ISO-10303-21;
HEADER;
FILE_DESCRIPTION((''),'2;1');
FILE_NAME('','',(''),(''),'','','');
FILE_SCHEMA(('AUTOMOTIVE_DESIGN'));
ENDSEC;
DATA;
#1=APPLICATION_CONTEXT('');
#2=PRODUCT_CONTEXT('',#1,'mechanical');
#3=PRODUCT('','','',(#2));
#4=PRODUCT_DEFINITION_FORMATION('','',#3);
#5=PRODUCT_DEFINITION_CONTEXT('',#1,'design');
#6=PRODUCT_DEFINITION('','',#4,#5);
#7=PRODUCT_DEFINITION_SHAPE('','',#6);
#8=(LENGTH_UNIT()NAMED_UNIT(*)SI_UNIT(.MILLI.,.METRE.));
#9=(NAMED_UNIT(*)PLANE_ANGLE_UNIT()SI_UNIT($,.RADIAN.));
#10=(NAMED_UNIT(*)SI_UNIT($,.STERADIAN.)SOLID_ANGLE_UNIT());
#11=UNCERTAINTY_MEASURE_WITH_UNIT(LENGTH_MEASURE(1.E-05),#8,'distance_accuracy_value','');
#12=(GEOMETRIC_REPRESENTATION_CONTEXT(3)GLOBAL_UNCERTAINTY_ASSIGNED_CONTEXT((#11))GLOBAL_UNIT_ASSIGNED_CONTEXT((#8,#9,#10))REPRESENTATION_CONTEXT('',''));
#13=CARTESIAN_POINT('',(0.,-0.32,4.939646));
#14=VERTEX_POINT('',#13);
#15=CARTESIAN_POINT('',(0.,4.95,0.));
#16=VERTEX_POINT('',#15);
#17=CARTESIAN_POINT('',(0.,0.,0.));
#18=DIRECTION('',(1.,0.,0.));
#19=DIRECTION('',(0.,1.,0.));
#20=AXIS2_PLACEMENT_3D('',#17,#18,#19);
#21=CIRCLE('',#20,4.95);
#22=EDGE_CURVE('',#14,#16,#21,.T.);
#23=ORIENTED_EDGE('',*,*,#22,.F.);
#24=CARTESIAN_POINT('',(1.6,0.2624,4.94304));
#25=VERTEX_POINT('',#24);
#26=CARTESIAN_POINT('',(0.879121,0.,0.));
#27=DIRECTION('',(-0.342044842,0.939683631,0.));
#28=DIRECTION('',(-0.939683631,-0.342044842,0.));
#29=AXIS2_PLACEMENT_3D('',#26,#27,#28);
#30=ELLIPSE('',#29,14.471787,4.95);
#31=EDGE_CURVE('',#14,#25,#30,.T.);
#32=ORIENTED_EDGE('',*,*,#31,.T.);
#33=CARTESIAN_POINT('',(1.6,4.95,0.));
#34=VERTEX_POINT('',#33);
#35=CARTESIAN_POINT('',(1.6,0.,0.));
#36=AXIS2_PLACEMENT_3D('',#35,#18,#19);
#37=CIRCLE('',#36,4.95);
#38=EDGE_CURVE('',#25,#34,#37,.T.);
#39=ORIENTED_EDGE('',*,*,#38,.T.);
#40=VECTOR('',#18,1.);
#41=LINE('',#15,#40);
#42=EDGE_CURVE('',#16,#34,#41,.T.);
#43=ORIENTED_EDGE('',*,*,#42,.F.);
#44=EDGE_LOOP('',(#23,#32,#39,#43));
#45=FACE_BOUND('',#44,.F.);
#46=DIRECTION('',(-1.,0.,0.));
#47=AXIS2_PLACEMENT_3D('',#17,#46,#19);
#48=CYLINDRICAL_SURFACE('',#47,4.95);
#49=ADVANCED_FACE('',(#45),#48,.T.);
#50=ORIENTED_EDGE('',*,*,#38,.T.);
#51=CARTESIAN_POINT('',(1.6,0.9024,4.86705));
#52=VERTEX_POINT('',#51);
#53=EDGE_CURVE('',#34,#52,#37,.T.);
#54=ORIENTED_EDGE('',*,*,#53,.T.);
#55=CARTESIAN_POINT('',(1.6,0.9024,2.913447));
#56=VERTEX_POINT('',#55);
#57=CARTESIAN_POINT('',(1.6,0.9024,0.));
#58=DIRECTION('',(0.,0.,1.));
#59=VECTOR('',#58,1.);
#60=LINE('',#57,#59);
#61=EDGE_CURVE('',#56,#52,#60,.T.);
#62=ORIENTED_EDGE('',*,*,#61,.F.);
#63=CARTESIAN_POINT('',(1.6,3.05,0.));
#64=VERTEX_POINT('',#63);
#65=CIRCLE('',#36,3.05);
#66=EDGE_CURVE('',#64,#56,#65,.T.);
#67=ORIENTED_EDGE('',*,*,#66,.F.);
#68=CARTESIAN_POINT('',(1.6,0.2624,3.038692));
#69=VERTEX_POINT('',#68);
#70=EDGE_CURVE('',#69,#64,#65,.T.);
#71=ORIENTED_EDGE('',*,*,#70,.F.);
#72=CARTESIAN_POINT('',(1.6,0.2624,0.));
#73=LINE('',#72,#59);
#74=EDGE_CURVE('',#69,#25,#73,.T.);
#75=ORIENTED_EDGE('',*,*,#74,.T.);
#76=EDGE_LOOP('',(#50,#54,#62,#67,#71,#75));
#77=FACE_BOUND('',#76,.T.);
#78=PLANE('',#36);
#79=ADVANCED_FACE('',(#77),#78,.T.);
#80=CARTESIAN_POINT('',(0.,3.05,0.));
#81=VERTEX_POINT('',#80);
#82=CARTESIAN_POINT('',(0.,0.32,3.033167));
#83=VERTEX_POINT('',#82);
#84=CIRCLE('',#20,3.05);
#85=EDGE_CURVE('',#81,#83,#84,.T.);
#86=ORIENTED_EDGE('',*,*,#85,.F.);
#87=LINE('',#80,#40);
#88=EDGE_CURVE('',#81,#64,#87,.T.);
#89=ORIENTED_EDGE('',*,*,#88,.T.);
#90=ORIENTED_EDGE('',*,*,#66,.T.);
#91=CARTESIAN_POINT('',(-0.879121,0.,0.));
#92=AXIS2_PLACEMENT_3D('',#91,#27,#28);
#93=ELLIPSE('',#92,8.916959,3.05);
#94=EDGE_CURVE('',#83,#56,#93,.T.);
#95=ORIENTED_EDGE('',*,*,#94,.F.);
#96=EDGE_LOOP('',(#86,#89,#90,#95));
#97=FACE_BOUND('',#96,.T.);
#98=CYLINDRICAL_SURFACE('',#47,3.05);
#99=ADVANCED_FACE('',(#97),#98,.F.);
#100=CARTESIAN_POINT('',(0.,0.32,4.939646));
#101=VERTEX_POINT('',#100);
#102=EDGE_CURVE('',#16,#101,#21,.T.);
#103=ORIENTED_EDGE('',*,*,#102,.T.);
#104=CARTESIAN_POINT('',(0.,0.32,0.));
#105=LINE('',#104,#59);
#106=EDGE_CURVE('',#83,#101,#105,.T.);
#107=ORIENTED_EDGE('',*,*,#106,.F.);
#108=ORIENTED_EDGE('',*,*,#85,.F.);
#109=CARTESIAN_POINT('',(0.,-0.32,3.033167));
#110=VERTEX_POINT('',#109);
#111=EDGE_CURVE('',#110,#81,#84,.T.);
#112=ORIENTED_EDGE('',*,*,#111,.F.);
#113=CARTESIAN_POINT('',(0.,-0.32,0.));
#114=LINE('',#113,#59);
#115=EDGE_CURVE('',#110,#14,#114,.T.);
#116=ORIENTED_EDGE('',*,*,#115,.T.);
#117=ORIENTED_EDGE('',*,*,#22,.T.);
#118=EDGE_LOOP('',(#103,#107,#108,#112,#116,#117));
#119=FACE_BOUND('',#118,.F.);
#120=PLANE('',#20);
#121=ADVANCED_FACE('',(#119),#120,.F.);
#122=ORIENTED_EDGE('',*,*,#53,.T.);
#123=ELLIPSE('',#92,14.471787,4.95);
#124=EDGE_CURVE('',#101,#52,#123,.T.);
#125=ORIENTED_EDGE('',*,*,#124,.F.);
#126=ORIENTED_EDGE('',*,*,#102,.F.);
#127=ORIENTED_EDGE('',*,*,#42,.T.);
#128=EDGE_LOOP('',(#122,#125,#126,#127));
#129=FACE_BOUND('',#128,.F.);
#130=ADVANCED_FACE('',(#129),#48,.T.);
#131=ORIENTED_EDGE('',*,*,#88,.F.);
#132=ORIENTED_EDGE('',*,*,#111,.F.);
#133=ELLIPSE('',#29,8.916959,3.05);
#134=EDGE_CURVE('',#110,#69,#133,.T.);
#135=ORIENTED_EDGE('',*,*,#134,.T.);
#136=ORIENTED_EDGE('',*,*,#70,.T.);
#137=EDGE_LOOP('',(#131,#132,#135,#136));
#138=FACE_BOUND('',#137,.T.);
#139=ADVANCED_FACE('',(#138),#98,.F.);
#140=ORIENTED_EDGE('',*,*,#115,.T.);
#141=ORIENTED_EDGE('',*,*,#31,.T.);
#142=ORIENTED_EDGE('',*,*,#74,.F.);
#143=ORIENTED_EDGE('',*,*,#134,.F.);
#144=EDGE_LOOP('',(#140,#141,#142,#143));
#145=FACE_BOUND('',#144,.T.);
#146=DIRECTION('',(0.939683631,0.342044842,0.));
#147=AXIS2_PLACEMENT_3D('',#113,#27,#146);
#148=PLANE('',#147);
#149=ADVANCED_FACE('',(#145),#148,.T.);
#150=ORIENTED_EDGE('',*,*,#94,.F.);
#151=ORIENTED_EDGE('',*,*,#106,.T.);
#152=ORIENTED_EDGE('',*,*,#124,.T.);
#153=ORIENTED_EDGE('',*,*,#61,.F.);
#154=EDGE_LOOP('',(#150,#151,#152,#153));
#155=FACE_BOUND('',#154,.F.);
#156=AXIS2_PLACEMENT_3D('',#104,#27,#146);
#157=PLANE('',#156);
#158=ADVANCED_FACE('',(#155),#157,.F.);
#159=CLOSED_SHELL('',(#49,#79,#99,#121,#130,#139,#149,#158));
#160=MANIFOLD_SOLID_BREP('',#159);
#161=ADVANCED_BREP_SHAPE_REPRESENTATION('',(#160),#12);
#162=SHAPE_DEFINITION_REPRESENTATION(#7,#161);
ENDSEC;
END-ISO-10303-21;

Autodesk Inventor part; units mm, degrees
ref_plane "YZ Plane" through (0, 0, 0) normal (1, 0, 0) x (0, 1, 0)
ref_plane "XZ Plane" through (0, 0, 0) normal (0, 1, 0) x (-1, 0, 0)
sketch "Náčrt1" plane through (0, 0, 0) normal (1, 0, 0) x (0, 1, 0)
  circle A0 centre (0, 0) radius 4.95
  circle A1 centre (0, 0) radius 3.05
  dimension "d0" = 6.1
  dimension "d1" = 9.9
extrude "Těleso" add sketch "Náčrt1" along normal blind 1.6
sketch "Náčrt2" plane through (0, 0, 0) normal (0, 0, 1) x (1, 0, 0)
  line L0 (0, -3.05) -> (0, 3.05) projected
  line L1 (1.6, 4.95) -> (1.6, -4.95) projected
  line L2 (-1.2, 0) -> (7.2, 0) projected
  line L3 (0, -0.32) -> (1.6, 0.2624)
  line L4 (0, 0.32) -> (1.6, 0.9024)
  dimension "d4" = 0.32
  dimension "d5" = 0.32
  dimension "d6" = 70
extrude "Výřez" cut sketch "Náčrt2" along normal up to next contours L0 L2 L3 | L0 L4 L1 L3 L2
ref_plane "Work Plane1" through (0, 0, 0) normal (0, -1, 0) x (1, 0, 0)
equation "\"d0\" = SD1"
equation "\"d1\" = SD2"
equation "\"d2\" = SD"
equation "\"d4\" = 0.2 * SD"
equation "\"d5\" = 0.2 * SD"
equation "\"d6\" = FAWI"
equation "\"d7\" = SD"
equation "\"SD1\" = 6.1"
equation "\"SD2\" = 9.9"
equation "\"SD\" = 1.6"
equation "\"FAWI\" = 70deg"
equation "\"NND\" = 6"
properties part number "CNS 5052 - 6" material "Steel, Mild"
